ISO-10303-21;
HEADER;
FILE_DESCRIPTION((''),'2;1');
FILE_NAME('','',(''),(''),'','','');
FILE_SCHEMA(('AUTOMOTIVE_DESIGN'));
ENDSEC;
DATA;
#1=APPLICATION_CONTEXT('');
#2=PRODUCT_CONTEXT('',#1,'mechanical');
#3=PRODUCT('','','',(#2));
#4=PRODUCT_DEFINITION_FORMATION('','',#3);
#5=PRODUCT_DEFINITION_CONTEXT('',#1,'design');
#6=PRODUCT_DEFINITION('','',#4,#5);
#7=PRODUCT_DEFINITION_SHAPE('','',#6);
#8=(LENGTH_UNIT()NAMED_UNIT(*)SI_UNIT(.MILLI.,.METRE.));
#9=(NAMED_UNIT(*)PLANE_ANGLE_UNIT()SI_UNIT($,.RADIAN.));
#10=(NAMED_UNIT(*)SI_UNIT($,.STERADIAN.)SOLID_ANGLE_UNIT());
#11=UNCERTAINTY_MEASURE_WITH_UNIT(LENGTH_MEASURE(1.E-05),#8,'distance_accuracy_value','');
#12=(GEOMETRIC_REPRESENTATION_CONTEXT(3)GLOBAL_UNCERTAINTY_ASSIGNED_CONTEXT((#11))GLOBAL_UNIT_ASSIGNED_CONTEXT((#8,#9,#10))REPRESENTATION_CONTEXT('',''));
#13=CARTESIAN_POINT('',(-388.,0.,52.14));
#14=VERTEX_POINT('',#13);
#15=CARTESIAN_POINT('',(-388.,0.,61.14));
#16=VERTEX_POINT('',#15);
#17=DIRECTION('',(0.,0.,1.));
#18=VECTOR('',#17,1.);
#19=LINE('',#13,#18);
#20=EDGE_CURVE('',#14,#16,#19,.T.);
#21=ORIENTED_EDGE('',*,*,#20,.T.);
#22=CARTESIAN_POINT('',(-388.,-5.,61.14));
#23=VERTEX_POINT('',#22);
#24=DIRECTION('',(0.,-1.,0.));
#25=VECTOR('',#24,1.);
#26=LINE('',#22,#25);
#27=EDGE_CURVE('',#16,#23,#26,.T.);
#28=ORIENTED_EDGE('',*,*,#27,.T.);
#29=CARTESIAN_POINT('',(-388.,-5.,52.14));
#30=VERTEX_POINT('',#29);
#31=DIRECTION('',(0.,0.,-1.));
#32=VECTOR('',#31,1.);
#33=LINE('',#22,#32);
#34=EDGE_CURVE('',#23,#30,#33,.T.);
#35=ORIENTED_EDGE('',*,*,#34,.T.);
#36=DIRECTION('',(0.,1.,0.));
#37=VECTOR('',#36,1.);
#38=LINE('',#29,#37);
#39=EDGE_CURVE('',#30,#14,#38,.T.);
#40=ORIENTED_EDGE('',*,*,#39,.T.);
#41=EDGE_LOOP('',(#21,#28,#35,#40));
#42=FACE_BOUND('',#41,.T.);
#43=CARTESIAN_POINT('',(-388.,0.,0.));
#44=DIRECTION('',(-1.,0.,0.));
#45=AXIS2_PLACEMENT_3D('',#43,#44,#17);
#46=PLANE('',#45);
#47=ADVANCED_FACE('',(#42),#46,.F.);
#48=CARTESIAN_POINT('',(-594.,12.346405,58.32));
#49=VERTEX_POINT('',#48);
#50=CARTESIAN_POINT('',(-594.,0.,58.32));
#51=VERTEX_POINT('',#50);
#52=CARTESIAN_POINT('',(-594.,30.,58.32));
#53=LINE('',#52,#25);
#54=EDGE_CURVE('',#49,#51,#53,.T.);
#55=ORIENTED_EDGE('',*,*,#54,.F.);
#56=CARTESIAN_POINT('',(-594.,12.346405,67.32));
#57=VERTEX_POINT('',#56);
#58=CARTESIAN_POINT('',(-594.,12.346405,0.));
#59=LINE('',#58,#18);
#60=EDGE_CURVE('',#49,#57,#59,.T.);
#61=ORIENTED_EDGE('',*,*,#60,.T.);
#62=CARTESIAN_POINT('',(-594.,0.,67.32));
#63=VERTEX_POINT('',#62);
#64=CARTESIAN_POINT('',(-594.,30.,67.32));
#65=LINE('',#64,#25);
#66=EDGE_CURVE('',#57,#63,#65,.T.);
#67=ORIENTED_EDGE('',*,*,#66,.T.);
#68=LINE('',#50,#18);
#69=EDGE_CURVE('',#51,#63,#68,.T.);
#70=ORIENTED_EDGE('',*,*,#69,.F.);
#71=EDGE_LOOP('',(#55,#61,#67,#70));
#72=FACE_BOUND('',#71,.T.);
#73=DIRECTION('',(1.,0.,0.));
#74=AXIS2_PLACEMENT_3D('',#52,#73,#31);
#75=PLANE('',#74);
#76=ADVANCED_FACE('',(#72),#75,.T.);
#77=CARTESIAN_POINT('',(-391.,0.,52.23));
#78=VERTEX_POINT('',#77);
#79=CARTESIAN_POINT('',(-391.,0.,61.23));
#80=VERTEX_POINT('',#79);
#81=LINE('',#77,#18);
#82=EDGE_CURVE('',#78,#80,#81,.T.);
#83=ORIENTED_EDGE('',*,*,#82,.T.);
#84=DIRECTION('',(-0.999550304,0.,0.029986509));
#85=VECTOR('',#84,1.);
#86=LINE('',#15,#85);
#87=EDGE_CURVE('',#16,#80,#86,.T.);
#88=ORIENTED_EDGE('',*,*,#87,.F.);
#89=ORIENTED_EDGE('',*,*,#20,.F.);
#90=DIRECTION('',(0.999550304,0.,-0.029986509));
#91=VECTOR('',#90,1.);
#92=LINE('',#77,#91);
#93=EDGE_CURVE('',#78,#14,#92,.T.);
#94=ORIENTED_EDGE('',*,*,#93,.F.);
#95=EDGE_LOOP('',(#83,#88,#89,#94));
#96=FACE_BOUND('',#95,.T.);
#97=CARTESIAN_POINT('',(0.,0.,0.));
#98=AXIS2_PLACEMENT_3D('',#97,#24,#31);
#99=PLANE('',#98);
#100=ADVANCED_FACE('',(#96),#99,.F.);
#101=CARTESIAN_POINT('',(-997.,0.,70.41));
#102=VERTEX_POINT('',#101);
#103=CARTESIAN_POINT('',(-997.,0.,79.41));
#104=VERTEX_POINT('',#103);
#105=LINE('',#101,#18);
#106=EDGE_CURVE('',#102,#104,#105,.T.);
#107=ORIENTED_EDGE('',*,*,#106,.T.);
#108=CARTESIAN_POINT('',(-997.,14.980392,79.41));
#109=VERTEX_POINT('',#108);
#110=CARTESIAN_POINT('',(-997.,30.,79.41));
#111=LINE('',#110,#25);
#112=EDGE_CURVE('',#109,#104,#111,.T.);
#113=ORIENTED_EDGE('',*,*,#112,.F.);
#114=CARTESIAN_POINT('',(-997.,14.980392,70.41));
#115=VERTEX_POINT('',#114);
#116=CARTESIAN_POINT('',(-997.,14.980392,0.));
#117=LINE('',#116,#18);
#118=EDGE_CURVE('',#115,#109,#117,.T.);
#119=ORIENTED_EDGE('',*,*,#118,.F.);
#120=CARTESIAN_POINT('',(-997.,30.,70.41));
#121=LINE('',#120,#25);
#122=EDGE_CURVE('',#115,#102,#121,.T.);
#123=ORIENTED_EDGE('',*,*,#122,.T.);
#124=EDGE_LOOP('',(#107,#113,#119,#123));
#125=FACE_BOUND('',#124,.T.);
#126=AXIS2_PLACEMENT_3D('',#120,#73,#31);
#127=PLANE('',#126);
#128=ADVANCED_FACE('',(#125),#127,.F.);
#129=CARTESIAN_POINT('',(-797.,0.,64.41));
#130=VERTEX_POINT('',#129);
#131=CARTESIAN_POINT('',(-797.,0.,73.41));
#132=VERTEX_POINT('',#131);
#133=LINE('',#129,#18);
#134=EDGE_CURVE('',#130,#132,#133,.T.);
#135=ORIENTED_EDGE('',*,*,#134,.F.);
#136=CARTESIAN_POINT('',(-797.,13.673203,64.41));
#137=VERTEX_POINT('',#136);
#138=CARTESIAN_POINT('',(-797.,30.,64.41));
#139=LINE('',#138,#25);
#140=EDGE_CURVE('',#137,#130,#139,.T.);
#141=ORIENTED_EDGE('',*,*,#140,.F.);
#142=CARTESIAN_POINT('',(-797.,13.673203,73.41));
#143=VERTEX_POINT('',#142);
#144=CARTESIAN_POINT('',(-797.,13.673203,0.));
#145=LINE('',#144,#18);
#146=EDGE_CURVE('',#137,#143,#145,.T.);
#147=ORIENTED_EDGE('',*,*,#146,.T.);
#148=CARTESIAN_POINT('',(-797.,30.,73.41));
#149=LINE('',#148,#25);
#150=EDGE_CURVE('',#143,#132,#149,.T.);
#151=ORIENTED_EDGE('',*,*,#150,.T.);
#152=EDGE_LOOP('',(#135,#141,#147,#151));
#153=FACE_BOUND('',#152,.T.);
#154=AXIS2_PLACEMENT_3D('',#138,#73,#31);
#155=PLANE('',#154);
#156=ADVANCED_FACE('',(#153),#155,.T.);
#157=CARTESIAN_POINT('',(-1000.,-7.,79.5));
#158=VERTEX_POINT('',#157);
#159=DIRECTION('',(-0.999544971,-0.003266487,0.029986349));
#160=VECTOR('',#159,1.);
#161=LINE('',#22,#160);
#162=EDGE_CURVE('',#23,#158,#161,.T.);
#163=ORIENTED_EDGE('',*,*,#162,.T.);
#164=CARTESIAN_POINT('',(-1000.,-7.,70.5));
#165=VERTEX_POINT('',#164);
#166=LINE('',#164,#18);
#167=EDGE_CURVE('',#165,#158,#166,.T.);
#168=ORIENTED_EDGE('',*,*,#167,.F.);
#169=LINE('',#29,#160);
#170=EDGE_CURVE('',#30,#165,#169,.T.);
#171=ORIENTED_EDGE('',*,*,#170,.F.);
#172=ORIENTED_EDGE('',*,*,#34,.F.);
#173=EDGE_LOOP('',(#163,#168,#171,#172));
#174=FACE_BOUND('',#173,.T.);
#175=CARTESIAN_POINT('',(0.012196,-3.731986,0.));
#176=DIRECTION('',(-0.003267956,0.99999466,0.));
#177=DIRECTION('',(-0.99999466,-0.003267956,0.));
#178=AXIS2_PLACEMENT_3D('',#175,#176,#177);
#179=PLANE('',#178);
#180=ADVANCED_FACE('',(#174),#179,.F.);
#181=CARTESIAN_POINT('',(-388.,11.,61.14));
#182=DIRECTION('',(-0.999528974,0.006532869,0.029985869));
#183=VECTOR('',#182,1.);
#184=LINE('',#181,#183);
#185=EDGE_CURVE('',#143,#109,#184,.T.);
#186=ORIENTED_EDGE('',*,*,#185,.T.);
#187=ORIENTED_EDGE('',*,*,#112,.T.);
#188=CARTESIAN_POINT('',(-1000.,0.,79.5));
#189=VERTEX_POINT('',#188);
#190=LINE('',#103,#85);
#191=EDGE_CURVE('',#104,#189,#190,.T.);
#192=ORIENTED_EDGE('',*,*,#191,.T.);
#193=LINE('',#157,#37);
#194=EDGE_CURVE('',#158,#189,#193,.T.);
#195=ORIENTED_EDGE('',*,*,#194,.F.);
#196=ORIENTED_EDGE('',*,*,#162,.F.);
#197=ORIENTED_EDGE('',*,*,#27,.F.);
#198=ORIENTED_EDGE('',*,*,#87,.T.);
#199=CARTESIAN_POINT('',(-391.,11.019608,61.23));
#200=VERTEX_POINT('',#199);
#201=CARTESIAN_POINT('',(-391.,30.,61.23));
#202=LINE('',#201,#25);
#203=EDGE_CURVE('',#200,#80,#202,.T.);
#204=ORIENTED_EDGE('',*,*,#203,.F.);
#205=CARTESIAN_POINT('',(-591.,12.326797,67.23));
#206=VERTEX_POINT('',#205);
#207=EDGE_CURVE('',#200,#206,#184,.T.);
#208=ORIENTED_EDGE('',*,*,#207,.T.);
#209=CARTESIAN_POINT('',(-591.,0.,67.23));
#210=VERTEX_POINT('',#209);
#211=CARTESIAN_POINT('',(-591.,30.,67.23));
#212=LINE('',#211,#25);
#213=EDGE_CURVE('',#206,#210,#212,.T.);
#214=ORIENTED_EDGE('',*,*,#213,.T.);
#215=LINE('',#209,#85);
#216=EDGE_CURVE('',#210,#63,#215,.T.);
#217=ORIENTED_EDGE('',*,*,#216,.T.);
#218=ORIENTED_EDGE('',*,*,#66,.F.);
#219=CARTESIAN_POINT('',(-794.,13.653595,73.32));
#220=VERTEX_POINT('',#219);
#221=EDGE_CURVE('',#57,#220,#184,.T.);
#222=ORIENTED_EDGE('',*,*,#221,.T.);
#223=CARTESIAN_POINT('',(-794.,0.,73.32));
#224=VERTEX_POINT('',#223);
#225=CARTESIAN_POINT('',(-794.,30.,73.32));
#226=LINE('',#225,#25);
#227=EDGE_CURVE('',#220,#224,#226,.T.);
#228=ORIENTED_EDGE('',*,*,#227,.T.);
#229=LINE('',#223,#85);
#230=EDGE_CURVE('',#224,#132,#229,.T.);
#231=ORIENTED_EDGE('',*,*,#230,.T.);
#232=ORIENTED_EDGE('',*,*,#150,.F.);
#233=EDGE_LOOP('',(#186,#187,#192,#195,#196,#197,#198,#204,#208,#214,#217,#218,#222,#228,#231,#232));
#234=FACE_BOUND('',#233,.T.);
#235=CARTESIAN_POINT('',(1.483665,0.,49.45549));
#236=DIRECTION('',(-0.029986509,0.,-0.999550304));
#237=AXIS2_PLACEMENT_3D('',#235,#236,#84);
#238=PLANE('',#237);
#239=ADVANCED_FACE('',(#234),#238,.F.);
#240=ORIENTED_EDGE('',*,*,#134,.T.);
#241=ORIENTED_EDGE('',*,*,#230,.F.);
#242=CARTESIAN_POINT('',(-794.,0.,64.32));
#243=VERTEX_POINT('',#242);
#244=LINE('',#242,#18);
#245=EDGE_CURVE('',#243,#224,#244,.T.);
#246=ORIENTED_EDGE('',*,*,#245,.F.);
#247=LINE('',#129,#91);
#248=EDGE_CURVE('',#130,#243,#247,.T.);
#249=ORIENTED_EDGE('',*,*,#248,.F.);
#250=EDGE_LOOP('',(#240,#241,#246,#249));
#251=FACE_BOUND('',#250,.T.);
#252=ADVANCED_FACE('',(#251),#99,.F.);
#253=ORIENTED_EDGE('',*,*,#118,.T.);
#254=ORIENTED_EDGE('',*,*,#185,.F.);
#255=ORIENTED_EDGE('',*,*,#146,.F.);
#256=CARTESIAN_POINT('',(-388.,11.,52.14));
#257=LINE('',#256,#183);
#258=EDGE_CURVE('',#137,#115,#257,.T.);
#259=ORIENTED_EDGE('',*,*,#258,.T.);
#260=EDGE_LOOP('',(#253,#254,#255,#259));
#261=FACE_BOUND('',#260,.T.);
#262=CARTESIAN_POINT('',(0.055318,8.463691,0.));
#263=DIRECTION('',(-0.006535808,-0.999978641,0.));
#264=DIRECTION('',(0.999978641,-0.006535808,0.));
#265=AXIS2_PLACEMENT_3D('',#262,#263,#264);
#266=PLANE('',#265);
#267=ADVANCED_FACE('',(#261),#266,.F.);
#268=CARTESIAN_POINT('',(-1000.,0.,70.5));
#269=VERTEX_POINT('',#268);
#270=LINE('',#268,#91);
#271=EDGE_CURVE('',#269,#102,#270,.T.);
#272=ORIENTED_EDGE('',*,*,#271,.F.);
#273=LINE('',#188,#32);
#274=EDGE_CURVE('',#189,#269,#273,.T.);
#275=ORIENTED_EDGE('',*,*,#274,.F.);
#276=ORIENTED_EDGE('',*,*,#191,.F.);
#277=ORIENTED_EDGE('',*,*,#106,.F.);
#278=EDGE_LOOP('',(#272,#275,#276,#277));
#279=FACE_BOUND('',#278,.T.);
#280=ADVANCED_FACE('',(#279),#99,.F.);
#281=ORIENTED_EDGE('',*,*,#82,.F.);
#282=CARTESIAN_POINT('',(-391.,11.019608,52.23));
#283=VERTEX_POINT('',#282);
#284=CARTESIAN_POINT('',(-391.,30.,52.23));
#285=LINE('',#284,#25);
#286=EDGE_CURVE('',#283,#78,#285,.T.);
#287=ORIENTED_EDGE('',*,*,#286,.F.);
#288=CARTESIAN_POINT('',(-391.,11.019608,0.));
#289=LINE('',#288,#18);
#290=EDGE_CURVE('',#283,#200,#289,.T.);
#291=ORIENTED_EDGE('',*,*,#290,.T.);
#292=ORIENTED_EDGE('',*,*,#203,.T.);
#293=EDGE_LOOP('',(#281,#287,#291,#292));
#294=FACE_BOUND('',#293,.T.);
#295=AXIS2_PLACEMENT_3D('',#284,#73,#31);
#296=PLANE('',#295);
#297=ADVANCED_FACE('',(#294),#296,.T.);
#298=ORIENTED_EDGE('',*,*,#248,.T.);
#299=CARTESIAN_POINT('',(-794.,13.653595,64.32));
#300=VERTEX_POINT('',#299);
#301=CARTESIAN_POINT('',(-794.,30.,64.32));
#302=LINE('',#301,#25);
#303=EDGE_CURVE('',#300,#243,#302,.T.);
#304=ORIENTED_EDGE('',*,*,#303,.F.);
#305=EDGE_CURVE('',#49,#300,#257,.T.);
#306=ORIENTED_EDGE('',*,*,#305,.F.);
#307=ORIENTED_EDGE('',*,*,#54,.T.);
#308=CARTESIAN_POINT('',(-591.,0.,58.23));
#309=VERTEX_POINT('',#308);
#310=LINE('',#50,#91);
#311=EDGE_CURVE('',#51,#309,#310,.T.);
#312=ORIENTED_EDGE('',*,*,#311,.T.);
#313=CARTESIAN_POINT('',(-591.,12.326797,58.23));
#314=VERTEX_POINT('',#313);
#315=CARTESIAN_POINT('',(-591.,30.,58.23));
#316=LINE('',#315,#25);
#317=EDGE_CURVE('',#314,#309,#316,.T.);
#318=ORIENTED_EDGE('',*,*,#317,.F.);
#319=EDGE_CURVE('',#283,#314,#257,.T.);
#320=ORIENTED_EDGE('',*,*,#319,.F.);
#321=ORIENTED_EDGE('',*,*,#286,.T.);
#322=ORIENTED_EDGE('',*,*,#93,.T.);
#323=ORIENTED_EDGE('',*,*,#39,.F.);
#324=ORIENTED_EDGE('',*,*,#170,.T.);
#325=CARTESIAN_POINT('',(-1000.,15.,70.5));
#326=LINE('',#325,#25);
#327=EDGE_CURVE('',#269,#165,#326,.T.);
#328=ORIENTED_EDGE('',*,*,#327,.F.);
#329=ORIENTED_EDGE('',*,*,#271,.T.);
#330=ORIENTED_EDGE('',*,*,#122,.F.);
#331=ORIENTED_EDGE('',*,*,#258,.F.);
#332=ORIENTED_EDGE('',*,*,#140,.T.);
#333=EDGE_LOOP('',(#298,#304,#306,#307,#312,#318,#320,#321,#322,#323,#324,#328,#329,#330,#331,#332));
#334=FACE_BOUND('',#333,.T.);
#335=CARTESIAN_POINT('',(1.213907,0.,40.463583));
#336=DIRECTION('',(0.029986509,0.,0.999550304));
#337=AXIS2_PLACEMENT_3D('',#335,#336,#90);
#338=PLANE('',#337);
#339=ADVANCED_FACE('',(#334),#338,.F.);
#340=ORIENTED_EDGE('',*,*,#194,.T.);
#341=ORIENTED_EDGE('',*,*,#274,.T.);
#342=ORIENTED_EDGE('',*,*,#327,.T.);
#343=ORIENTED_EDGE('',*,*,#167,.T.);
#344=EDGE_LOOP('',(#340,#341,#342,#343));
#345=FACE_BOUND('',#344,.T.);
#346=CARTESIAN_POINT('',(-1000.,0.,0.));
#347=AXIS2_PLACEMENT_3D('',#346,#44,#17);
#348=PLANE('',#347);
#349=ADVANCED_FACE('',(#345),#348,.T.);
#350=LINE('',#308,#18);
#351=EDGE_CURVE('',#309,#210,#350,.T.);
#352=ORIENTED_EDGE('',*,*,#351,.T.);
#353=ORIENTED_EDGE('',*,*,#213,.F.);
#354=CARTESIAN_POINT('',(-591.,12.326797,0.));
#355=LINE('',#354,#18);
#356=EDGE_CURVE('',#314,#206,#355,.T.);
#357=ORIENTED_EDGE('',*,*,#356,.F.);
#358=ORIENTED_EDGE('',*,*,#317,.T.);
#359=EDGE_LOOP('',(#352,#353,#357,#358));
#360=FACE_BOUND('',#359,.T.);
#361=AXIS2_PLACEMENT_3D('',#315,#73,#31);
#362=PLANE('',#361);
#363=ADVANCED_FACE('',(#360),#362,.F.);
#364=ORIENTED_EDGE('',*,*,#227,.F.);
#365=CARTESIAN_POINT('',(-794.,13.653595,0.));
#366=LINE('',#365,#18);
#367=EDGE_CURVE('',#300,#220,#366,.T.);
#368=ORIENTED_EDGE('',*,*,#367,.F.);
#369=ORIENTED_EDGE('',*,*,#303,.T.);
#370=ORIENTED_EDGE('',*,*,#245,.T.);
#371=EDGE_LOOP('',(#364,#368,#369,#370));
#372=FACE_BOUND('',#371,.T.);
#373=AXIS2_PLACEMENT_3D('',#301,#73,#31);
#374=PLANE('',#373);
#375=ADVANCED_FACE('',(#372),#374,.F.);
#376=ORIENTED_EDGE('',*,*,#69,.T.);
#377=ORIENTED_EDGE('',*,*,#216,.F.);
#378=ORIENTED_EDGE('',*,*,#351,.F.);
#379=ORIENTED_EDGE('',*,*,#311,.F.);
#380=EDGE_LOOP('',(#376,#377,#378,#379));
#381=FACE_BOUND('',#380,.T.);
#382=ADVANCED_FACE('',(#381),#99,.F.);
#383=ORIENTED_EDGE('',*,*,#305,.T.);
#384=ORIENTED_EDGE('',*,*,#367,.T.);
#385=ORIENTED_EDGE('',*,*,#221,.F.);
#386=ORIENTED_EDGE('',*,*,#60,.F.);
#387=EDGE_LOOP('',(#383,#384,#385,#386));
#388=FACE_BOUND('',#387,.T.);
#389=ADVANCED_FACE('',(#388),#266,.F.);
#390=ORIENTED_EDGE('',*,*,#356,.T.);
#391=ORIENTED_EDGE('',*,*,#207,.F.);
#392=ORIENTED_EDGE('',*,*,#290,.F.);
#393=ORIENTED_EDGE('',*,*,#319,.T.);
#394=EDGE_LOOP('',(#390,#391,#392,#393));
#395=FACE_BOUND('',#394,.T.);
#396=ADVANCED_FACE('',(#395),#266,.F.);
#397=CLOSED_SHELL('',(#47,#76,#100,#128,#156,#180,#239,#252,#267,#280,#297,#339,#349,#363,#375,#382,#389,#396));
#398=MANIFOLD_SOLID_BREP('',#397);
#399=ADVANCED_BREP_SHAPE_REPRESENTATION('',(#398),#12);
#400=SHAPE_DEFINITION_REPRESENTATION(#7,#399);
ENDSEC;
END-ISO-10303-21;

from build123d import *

# Parameters (mm, degrees)
SKETCH_1_W               = 3
SKETCH_1_H               = 240
SKETCH_1_H_2             = 261.76139272
SKETCH_1_H_3             = 230.081843935
CUT_EXTRUDE_2_DEPTH      = 20
CUT_EXTRUDE_7_DEPTH      = 30
CUT_EXTRUDE_8_DEPTH      = 1004.267287526
CUT_EXTRUDE_8_DEPTH_BACK = 1004.267287526
SKETCH_10_W              = 715.558025108
SKETCH_10_H              = 147.805868661


with BuildPart() as part:
    # Эскиз4 → По сечениям1 section 0
    with BuildSketch(Plane(origin=(-1000, 0, 0), x_dir=(0, 0, -1), z_dir=(1, 0, 0))):
        with BuildLine():
            Line((70.5, 15), (70.5, -7))
            Line((70.5, -7), (79.5, -7))
            Line((79.5, -7), (79.5, 15))
            Line((79.5, 15), (70.5, 15))
        make_face()
    # Эскиз5 → По сечениям1 section 1
    with BuildSketch(Plane(origin=(-388, 0, 0), x_dir=(0, 0, -1), z_dir=(1, 0, 0))):
        with BuildLine():
            Line((61.14, 11), (52.14, 11))
            Line((52.14, 11), (52.14, -5))
            Line((52.14, -5), (61.14, -5))
            Line((61.14, -5), (61.14, 11))
        make_face()
    loft()

    # Эскиз1 → Вырез-Вытянуть2 (cut)
    with BuildSketch(Plane(origin=(0, 0, 0), x_dir=(1, 0, 0), z_dir=(0, 1, 0))):
        with Locations((-998.5, 120)):
            Rectangle(SKETCH_1_W, SKETCH_1_H)
        Polygon((-388, 184.92), (-391, 185.19), (-391, 0), (-388, 0), align=None)
        with Locations((-795.5, 130.88069636)):
            Rectangle(SKETCH_1_W, SKETCH_1_H_2)
        with Locations((-592.5, 115.040921968)):
            Rectangle(SKETCH_1_W, SKETCH_1_H_3)
    extrude(amount=-CUT_EXTRUDE_2_DEPTH, mode=Mode.SUBTRACT)

    # Эскиз10 → Вырез-Вытянуть8 (cut, two sides: drawn at the far end of the back side and taken through both)
    with BuildSketch(Plane(origin=(0, 0, 0), x_dir=(1, 0, 0), z_dir=(0, 1, 0)).offset(-CUT_EXTRUDE_8_DEPTH_BACK)):
        with Locations((-683.215880827, 67.559334818)):
            Rectangle(SKETCH_10_W, SKETCH_10_H)
    extrude(amount=CUT_EXTRUDE_8_DEPTH + CUT_EXTRUDE_8_DEPTH_BACK, mode=Mode.SUBTRACT)


with BuildPart() as body_2:
    # Эскиз7 → По сечениям4 section 0
    with BuildSketch(Plane(origin=(-388, 0, 0), x_dir=(0, 0, -1), z_dir=(1, 0, 0))):
        with BuildLine():
            Line((-61.14, -5), (-52.14, -5))
            Line((-52.14, -5), (-52.14, 11))
            Line((-52.14, 11), (-61.14, 11))
            Line((-61.14, 11), (-61.14, -5))
        make_face()
    # Эскиз8 → По сечениям4 section 1
    with BuildSketch(Plane.ZY.offset(1000)):
        with BuildLine():
            Line((70.5, -7), (79.5, -7))
            Line((79.5, -7), (79.5, 15))
            Line((79.5, 15), (70.5, 15))
            Line((70.5, 15), (70.5, -7))
        make_face()
    loft()

    # Эскиз6 → Вырез-Вытянуть7 (cut)
    with BuildSketch(Plane(origin=(0, 0, 0), x_dir=(1, 0, 0), z_dir=(0, 1, 0))):
        Polygon((-391, -52.23), (-391, -61.23), (-388, -61.14), (-388, -52.14), align=None)
        Polygon((-794, -64.32), (-794, -73.32), (-797, -73.41), (-797, -64.41), align=None)
        Polygon((-997, -70.41), (-997, -79.41), (-1000, -79.5), (-1000, -70.5), align=None)
        Polygon((-594, -58.32), (-594, -67.32), (-591, -67.23), (-591, -58.23), align=None)
    extrude(amount=CUT_EXTRUDE_7_DEPTH, mode=Mode.SUBTRACT)


solid = body_2.part
